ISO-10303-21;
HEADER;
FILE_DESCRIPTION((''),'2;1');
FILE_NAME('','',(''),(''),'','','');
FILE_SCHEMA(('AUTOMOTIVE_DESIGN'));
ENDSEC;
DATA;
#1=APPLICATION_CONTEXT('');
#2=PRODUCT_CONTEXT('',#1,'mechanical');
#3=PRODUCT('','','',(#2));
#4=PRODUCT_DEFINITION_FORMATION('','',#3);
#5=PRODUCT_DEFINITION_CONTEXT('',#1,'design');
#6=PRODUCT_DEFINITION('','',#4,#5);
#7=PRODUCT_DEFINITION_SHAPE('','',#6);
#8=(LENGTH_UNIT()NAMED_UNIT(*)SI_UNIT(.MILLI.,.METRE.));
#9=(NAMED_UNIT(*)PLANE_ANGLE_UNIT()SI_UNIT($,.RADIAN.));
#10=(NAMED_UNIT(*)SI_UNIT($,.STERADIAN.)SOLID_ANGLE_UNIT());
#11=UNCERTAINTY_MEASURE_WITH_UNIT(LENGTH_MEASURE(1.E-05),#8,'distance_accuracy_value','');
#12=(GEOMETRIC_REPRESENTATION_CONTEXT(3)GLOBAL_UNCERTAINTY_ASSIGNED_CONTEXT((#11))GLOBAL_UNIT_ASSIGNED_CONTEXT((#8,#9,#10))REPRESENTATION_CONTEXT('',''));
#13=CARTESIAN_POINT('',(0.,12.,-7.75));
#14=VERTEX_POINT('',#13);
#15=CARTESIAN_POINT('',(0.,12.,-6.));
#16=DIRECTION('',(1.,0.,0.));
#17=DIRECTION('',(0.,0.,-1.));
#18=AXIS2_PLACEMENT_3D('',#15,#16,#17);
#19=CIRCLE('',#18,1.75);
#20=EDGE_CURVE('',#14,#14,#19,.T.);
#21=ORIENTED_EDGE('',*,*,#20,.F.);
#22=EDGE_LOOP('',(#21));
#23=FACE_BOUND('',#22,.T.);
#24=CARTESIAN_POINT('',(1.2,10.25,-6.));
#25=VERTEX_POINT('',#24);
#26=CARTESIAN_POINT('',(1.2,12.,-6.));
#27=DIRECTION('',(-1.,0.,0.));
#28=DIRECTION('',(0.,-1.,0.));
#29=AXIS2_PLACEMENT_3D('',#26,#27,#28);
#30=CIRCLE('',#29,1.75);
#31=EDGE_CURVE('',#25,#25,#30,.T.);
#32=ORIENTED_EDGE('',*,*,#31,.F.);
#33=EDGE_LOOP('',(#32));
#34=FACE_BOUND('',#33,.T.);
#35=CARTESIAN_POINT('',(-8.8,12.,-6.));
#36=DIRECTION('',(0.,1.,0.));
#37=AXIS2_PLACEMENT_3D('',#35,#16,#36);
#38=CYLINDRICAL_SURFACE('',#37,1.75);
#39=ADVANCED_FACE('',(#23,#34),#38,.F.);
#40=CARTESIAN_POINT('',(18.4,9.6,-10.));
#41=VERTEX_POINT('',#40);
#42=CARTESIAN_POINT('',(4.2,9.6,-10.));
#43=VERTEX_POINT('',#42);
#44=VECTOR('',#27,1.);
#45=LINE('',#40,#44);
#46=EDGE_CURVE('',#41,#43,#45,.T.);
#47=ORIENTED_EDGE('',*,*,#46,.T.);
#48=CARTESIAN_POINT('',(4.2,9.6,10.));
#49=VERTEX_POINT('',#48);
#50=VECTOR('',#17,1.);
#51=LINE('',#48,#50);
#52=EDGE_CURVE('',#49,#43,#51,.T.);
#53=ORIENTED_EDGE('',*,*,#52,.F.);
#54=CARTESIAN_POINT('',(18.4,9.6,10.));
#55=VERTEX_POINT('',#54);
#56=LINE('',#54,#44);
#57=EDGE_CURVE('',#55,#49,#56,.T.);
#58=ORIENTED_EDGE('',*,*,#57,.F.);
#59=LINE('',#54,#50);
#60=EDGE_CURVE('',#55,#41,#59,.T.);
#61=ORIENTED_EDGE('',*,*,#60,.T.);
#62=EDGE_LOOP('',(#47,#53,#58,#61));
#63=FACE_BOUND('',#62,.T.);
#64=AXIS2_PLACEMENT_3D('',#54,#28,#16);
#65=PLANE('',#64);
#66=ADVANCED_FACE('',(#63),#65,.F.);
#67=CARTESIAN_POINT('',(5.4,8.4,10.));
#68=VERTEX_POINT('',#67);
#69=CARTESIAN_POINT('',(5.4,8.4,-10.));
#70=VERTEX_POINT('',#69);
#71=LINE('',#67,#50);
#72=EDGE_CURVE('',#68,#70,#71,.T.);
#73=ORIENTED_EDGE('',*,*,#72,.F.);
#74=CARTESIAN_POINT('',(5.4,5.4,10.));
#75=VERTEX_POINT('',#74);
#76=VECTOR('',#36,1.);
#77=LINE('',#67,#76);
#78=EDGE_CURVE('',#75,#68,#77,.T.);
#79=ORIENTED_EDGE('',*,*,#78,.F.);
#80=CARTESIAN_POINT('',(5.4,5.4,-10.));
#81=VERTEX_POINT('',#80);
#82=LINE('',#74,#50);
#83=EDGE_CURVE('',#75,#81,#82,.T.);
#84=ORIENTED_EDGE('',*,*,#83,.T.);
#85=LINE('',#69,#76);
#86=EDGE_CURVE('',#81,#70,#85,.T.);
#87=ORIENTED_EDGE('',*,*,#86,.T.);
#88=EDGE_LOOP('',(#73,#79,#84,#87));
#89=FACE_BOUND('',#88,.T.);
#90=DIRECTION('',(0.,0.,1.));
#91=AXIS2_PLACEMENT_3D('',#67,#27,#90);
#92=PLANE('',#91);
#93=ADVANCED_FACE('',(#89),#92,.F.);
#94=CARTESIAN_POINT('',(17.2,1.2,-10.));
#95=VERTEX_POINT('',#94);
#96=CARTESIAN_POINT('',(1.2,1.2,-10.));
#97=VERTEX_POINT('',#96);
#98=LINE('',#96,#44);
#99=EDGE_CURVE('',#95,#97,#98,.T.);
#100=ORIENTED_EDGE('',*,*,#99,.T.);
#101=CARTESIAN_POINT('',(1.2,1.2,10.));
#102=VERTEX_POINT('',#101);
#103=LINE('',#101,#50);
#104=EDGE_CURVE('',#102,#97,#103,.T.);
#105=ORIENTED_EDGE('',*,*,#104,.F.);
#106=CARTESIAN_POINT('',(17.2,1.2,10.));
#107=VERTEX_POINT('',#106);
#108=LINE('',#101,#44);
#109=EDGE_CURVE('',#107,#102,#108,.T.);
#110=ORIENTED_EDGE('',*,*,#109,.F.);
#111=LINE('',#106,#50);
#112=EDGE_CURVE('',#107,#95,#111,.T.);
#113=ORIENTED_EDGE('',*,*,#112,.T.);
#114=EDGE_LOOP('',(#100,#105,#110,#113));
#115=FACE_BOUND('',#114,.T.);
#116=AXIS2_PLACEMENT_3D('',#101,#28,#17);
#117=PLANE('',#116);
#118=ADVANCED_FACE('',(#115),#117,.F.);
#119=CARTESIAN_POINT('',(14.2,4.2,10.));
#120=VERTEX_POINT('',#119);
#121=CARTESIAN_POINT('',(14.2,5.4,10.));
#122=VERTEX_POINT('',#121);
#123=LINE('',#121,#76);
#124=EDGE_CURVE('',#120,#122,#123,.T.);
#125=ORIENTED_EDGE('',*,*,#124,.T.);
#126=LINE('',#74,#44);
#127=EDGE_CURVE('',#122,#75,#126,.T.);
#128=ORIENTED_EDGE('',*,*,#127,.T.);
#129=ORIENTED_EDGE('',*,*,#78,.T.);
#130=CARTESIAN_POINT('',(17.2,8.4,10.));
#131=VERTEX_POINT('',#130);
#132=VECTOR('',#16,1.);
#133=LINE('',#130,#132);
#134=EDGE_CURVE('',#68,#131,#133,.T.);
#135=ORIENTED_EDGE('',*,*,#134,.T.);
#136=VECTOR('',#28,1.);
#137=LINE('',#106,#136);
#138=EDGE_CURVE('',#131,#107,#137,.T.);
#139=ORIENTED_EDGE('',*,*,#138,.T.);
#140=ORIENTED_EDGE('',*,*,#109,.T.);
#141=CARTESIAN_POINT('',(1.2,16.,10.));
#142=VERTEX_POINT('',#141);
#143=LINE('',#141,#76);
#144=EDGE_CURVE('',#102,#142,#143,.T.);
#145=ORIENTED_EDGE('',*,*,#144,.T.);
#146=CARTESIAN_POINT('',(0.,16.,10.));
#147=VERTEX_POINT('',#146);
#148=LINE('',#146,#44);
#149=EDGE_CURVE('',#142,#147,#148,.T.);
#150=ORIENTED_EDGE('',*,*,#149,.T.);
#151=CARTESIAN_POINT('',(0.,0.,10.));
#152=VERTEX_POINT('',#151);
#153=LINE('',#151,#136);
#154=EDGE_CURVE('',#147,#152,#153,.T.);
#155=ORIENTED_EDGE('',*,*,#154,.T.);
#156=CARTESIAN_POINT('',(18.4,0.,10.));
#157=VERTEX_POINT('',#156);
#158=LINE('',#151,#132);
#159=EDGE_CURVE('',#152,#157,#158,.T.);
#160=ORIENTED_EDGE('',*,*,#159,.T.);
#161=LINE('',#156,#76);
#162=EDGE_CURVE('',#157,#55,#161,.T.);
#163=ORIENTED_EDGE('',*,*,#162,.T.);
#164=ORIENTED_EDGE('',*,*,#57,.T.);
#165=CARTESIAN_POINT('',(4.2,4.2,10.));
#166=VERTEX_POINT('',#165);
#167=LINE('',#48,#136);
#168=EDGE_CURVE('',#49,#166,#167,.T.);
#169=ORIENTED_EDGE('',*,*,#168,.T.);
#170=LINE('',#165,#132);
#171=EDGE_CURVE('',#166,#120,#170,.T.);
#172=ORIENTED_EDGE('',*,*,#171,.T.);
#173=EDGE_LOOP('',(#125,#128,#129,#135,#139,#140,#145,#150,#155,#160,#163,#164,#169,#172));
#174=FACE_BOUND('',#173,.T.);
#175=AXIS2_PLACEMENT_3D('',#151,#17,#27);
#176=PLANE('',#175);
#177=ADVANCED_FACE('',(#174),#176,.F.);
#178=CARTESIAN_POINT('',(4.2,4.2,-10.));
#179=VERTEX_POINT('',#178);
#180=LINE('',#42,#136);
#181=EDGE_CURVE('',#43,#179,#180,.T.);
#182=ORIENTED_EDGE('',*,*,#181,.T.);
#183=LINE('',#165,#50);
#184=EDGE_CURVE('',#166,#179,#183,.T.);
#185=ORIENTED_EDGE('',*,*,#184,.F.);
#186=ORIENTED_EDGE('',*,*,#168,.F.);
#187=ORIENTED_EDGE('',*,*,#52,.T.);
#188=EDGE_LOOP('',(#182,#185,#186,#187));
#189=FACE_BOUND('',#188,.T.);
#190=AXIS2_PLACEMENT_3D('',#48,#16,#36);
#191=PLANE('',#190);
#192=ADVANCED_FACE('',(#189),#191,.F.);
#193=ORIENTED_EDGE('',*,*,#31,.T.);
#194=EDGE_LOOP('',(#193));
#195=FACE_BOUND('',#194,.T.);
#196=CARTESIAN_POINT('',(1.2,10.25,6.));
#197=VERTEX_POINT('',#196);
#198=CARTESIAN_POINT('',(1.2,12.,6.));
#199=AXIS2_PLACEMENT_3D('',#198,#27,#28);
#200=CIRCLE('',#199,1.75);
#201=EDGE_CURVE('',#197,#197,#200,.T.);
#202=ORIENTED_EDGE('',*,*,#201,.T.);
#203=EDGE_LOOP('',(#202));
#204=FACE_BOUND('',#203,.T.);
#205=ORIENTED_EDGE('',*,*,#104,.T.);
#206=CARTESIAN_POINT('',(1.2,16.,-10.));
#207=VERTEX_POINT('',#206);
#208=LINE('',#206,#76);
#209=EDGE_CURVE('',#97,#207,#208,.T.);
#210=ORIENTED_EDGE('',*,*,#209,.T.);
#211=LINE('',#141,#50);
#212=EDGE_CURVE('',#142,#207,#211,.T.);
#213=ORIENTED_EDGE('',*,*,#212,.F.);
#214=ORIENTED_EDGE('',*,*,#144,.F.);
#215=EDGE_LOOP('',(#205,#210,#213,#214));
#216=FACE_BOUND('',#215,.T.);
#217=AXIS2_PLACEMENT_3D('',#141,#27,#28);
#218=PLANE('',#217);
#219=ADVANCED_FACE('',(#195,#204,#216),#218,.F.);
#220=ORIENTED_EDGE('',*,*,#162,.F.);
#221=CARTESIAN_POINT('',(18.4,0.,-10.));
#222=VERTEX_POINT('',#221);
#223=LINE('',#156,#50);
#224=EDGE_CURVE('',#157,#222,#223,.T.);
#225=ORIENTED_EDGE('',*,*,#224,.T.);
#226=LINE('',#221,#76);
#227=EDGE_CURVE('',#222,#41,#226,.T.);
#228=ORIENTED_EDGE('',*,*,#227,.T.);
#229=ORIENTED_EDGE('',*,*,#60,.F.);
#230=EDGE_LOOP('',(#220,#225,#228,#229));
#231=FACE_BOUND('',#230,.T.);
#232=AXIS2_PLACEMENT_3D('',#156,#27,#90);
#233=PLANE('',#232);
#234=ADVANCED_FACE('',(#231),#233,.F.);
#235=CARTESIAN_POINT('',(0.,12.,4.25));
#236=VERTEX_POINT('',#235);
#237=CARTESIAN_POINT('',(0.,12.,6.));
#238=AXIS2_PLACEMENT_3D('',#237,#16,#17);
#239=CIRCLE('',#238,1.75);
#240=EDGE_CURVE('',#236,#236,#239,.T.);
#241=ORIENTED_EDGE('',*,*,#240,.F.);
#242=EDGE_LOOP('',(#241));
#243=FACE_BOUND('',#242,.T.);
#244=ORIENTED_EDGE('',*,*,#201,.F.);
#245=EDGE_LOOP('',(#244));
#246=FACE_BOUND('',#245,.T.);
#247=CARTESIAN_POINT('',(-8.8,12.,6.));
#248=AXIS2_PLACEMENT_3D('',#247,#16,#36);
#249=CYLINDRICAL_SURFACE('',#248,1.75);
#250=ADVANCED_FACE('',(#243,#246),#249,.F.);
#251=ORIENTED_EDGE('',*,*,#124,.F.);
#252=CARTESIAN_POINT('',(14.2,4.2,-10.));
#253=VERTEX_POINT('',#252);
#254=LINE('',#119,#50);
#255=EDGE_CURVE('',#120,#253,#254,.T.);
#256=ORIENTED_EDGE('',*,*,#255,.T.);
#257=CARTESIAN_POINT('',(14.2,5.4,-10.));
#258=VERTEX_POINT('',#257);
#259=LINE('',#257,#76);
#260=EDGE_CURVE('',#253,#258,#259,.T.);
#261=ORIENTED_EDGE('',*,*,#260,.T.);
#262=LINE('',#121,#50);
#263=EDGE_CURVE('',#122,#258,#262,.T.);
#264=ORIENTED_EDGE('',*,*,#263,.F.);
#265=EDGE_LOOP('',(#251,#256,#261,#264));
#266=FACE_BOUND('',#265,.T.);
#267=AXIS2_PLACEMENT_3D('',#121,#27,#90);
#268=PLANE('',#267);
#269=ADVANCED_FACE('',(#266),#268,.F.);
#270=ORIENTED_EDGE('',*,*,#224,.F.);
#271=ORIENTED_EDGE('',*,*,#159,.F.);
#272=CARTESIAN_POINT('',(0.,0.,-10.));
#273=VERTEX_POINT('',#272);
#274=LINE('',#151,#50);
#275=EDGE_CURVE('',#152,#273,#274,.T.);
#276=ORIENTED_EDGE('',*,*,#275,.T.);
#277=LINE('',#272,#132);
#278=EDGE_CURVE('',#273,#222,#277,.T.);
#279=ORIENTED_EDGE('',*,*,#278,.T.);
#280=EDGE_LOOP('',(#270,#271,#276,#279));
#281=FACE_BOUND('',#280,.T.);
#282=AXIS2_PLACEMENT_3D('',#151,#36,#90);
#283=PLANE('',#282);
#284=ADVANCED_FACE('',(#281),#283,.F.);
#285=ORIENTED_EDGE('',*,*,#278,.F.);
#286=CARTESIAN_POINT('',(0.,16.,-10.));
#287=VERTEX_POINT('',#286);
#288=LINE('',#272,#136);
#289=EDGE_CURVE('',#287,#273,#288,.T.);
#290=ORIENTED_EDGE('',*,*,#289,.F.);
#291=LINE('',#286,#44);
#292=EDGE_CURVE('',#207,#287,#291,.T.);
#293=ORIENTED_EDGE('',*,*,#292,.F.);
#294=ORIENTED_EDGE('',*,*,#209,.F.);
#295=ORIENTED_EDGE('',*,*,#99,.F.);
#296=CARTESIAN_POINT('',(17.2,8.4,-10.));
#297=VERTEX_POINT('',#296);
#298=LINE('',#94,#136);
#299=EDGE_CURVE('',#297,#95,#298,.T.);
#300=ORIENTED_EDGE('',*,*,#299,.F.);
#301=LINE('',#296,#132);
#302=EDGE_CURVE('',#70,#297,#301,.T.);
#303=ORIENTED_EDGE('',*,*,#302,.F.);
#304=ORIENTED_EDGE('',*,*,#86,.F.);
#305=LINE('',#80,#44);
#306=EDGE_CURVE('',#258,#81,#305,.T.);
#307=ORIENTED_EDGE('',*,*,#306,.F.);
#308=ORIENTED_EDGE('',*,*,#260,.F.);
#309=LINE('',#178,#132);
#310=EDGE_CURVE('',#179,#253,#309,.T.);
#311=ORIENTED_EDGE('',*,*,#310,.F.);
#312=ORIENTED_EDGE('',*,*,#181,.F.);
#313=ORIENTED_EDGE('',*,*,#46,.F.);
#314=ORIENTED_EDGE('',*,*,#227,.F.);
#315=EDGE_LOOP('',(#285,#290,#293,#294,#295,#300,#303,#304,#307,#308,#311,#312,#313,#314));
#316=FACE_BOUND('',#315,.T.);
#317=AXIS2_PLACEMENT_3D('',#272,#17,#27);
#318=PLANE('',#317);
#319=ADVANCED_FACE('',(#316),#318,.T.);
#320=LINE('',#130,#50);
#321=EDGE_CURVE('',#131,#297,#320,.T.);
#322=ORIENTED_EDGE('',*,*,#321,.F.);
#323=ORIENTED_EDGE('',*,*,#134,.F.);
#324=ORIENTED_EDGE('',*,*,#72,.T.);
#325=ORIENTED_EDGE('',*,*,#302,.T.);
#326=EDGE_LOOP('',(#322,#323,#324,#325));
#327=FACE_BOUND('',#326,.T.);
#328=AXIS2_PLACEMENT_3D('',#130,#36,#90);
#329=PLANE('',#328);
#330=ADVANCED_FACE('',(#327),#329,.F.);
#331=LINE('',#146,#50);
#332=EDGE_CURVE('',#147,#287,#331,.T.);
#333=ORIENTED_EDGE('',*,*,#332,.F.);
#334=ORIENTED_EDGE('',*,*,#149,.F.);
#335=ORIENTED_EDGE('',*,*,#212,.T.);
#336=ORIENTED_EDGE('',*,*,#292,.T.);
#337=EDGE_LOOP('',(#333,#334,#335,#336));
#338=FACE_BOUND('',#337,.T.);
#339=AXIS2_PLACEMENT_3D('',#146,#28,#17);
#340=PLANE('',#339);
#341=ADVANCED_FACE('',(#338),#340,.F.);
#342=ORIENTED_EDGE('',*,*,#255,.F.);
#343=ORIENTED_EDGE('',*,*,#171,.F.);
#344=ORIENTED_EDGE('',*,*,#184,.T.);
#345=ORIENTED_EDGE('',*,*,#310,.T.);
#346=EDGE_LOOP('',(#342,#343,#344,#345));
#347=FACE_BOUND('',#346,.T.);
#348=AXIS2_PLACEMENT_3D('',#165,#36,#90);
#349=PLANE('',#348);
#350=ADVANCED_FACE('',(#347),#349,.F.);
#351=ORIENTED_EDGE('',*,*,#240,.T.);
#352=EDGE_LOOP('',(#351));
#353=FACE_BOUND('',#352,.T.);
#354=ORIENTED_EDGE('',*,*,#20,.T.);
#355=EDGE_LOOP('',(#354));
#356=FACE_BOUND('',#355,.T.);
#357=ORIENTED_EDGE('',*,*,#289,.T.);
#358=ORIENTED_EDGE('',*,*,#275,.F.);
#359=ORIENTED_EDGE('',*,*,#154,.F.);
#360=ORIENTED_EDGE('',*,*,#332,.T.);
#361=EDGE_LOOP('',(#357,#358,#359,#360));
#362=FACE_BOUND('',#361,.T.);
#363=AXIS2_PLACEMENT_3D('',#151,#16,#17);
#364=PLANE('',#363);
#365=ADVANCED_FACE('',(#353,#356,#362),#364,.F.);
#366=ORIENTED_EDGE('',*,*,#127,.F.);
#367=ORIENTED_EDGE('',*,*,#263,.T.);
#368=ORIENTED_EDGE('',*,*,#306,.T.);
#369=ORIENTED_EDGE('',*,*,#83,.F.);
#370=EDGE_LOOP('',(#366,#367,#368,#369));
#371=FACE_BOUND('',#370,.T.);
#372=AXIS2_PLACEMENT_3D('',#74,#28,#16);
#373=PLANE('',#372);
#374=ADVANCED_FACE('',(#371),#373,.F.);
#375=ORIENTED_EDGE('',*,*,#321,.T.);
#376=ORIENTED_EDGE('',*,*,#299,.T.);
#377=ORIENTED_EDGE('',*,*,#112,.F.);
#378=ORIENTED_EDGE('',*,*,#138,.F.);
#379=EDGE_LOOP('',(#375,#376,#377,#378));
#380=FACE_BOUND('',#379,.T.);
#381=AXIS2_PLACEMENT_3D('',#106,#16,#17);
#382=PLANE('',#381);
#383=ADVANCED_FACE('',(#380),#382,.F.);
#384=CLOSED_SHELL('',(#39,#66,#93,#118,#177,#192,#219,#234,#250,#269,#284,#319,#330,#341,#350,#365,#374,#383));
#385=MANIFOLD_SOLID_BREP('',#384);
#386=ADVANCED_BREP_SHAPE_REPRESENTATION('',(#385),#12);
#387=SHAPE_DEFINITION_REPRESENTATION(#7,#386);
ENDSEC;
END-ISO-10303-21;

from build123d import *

# Parameters (mm, degrees)
BOSS_EXTRUDE1_DEPTH = 10
SKETCH2_R           = 1.75
CUT_EXTRUDE1_DEPTH  = 10


with BuildPart() as part:
    # Sketch1 → Boss-Extrude1 (new, symmetric)
    with BuildSketch(Plane.XY):
        Polygon((0, 0), (18.4, 0), (18.4, 9.6), (4.2, 9.6), (4.2, 4.2), (14.2, 4.2), (14.2, 5.4), (5.4, 5.4), (5.4, 8.4), (17.2, 8.4), (17.2, 1.2), (1.2, 1.2), (1.2, 16), (0, 16), align=None)
    extrude(amount=BOSS_EXTRUDE1_DEPTH, both=True)

    # Sketch2 → Cut-Extrude1 (cut, symmetric)
    with BuildSketch(Plane(origin=(1.2, 0, 0), x_dir=(0, 0, -1), z_dir=(1, 0, 0))):
        with Locations((-6, 12)):
            Circle(SKETCH2_R)
        with Locations((6, 12)):
            Circle(SKETCH2_R)
    extrude(amount=CUT_EXTRUDE1_DEPTH, both=True, mode=Mode.SUBTRACT)


solid = part.part
